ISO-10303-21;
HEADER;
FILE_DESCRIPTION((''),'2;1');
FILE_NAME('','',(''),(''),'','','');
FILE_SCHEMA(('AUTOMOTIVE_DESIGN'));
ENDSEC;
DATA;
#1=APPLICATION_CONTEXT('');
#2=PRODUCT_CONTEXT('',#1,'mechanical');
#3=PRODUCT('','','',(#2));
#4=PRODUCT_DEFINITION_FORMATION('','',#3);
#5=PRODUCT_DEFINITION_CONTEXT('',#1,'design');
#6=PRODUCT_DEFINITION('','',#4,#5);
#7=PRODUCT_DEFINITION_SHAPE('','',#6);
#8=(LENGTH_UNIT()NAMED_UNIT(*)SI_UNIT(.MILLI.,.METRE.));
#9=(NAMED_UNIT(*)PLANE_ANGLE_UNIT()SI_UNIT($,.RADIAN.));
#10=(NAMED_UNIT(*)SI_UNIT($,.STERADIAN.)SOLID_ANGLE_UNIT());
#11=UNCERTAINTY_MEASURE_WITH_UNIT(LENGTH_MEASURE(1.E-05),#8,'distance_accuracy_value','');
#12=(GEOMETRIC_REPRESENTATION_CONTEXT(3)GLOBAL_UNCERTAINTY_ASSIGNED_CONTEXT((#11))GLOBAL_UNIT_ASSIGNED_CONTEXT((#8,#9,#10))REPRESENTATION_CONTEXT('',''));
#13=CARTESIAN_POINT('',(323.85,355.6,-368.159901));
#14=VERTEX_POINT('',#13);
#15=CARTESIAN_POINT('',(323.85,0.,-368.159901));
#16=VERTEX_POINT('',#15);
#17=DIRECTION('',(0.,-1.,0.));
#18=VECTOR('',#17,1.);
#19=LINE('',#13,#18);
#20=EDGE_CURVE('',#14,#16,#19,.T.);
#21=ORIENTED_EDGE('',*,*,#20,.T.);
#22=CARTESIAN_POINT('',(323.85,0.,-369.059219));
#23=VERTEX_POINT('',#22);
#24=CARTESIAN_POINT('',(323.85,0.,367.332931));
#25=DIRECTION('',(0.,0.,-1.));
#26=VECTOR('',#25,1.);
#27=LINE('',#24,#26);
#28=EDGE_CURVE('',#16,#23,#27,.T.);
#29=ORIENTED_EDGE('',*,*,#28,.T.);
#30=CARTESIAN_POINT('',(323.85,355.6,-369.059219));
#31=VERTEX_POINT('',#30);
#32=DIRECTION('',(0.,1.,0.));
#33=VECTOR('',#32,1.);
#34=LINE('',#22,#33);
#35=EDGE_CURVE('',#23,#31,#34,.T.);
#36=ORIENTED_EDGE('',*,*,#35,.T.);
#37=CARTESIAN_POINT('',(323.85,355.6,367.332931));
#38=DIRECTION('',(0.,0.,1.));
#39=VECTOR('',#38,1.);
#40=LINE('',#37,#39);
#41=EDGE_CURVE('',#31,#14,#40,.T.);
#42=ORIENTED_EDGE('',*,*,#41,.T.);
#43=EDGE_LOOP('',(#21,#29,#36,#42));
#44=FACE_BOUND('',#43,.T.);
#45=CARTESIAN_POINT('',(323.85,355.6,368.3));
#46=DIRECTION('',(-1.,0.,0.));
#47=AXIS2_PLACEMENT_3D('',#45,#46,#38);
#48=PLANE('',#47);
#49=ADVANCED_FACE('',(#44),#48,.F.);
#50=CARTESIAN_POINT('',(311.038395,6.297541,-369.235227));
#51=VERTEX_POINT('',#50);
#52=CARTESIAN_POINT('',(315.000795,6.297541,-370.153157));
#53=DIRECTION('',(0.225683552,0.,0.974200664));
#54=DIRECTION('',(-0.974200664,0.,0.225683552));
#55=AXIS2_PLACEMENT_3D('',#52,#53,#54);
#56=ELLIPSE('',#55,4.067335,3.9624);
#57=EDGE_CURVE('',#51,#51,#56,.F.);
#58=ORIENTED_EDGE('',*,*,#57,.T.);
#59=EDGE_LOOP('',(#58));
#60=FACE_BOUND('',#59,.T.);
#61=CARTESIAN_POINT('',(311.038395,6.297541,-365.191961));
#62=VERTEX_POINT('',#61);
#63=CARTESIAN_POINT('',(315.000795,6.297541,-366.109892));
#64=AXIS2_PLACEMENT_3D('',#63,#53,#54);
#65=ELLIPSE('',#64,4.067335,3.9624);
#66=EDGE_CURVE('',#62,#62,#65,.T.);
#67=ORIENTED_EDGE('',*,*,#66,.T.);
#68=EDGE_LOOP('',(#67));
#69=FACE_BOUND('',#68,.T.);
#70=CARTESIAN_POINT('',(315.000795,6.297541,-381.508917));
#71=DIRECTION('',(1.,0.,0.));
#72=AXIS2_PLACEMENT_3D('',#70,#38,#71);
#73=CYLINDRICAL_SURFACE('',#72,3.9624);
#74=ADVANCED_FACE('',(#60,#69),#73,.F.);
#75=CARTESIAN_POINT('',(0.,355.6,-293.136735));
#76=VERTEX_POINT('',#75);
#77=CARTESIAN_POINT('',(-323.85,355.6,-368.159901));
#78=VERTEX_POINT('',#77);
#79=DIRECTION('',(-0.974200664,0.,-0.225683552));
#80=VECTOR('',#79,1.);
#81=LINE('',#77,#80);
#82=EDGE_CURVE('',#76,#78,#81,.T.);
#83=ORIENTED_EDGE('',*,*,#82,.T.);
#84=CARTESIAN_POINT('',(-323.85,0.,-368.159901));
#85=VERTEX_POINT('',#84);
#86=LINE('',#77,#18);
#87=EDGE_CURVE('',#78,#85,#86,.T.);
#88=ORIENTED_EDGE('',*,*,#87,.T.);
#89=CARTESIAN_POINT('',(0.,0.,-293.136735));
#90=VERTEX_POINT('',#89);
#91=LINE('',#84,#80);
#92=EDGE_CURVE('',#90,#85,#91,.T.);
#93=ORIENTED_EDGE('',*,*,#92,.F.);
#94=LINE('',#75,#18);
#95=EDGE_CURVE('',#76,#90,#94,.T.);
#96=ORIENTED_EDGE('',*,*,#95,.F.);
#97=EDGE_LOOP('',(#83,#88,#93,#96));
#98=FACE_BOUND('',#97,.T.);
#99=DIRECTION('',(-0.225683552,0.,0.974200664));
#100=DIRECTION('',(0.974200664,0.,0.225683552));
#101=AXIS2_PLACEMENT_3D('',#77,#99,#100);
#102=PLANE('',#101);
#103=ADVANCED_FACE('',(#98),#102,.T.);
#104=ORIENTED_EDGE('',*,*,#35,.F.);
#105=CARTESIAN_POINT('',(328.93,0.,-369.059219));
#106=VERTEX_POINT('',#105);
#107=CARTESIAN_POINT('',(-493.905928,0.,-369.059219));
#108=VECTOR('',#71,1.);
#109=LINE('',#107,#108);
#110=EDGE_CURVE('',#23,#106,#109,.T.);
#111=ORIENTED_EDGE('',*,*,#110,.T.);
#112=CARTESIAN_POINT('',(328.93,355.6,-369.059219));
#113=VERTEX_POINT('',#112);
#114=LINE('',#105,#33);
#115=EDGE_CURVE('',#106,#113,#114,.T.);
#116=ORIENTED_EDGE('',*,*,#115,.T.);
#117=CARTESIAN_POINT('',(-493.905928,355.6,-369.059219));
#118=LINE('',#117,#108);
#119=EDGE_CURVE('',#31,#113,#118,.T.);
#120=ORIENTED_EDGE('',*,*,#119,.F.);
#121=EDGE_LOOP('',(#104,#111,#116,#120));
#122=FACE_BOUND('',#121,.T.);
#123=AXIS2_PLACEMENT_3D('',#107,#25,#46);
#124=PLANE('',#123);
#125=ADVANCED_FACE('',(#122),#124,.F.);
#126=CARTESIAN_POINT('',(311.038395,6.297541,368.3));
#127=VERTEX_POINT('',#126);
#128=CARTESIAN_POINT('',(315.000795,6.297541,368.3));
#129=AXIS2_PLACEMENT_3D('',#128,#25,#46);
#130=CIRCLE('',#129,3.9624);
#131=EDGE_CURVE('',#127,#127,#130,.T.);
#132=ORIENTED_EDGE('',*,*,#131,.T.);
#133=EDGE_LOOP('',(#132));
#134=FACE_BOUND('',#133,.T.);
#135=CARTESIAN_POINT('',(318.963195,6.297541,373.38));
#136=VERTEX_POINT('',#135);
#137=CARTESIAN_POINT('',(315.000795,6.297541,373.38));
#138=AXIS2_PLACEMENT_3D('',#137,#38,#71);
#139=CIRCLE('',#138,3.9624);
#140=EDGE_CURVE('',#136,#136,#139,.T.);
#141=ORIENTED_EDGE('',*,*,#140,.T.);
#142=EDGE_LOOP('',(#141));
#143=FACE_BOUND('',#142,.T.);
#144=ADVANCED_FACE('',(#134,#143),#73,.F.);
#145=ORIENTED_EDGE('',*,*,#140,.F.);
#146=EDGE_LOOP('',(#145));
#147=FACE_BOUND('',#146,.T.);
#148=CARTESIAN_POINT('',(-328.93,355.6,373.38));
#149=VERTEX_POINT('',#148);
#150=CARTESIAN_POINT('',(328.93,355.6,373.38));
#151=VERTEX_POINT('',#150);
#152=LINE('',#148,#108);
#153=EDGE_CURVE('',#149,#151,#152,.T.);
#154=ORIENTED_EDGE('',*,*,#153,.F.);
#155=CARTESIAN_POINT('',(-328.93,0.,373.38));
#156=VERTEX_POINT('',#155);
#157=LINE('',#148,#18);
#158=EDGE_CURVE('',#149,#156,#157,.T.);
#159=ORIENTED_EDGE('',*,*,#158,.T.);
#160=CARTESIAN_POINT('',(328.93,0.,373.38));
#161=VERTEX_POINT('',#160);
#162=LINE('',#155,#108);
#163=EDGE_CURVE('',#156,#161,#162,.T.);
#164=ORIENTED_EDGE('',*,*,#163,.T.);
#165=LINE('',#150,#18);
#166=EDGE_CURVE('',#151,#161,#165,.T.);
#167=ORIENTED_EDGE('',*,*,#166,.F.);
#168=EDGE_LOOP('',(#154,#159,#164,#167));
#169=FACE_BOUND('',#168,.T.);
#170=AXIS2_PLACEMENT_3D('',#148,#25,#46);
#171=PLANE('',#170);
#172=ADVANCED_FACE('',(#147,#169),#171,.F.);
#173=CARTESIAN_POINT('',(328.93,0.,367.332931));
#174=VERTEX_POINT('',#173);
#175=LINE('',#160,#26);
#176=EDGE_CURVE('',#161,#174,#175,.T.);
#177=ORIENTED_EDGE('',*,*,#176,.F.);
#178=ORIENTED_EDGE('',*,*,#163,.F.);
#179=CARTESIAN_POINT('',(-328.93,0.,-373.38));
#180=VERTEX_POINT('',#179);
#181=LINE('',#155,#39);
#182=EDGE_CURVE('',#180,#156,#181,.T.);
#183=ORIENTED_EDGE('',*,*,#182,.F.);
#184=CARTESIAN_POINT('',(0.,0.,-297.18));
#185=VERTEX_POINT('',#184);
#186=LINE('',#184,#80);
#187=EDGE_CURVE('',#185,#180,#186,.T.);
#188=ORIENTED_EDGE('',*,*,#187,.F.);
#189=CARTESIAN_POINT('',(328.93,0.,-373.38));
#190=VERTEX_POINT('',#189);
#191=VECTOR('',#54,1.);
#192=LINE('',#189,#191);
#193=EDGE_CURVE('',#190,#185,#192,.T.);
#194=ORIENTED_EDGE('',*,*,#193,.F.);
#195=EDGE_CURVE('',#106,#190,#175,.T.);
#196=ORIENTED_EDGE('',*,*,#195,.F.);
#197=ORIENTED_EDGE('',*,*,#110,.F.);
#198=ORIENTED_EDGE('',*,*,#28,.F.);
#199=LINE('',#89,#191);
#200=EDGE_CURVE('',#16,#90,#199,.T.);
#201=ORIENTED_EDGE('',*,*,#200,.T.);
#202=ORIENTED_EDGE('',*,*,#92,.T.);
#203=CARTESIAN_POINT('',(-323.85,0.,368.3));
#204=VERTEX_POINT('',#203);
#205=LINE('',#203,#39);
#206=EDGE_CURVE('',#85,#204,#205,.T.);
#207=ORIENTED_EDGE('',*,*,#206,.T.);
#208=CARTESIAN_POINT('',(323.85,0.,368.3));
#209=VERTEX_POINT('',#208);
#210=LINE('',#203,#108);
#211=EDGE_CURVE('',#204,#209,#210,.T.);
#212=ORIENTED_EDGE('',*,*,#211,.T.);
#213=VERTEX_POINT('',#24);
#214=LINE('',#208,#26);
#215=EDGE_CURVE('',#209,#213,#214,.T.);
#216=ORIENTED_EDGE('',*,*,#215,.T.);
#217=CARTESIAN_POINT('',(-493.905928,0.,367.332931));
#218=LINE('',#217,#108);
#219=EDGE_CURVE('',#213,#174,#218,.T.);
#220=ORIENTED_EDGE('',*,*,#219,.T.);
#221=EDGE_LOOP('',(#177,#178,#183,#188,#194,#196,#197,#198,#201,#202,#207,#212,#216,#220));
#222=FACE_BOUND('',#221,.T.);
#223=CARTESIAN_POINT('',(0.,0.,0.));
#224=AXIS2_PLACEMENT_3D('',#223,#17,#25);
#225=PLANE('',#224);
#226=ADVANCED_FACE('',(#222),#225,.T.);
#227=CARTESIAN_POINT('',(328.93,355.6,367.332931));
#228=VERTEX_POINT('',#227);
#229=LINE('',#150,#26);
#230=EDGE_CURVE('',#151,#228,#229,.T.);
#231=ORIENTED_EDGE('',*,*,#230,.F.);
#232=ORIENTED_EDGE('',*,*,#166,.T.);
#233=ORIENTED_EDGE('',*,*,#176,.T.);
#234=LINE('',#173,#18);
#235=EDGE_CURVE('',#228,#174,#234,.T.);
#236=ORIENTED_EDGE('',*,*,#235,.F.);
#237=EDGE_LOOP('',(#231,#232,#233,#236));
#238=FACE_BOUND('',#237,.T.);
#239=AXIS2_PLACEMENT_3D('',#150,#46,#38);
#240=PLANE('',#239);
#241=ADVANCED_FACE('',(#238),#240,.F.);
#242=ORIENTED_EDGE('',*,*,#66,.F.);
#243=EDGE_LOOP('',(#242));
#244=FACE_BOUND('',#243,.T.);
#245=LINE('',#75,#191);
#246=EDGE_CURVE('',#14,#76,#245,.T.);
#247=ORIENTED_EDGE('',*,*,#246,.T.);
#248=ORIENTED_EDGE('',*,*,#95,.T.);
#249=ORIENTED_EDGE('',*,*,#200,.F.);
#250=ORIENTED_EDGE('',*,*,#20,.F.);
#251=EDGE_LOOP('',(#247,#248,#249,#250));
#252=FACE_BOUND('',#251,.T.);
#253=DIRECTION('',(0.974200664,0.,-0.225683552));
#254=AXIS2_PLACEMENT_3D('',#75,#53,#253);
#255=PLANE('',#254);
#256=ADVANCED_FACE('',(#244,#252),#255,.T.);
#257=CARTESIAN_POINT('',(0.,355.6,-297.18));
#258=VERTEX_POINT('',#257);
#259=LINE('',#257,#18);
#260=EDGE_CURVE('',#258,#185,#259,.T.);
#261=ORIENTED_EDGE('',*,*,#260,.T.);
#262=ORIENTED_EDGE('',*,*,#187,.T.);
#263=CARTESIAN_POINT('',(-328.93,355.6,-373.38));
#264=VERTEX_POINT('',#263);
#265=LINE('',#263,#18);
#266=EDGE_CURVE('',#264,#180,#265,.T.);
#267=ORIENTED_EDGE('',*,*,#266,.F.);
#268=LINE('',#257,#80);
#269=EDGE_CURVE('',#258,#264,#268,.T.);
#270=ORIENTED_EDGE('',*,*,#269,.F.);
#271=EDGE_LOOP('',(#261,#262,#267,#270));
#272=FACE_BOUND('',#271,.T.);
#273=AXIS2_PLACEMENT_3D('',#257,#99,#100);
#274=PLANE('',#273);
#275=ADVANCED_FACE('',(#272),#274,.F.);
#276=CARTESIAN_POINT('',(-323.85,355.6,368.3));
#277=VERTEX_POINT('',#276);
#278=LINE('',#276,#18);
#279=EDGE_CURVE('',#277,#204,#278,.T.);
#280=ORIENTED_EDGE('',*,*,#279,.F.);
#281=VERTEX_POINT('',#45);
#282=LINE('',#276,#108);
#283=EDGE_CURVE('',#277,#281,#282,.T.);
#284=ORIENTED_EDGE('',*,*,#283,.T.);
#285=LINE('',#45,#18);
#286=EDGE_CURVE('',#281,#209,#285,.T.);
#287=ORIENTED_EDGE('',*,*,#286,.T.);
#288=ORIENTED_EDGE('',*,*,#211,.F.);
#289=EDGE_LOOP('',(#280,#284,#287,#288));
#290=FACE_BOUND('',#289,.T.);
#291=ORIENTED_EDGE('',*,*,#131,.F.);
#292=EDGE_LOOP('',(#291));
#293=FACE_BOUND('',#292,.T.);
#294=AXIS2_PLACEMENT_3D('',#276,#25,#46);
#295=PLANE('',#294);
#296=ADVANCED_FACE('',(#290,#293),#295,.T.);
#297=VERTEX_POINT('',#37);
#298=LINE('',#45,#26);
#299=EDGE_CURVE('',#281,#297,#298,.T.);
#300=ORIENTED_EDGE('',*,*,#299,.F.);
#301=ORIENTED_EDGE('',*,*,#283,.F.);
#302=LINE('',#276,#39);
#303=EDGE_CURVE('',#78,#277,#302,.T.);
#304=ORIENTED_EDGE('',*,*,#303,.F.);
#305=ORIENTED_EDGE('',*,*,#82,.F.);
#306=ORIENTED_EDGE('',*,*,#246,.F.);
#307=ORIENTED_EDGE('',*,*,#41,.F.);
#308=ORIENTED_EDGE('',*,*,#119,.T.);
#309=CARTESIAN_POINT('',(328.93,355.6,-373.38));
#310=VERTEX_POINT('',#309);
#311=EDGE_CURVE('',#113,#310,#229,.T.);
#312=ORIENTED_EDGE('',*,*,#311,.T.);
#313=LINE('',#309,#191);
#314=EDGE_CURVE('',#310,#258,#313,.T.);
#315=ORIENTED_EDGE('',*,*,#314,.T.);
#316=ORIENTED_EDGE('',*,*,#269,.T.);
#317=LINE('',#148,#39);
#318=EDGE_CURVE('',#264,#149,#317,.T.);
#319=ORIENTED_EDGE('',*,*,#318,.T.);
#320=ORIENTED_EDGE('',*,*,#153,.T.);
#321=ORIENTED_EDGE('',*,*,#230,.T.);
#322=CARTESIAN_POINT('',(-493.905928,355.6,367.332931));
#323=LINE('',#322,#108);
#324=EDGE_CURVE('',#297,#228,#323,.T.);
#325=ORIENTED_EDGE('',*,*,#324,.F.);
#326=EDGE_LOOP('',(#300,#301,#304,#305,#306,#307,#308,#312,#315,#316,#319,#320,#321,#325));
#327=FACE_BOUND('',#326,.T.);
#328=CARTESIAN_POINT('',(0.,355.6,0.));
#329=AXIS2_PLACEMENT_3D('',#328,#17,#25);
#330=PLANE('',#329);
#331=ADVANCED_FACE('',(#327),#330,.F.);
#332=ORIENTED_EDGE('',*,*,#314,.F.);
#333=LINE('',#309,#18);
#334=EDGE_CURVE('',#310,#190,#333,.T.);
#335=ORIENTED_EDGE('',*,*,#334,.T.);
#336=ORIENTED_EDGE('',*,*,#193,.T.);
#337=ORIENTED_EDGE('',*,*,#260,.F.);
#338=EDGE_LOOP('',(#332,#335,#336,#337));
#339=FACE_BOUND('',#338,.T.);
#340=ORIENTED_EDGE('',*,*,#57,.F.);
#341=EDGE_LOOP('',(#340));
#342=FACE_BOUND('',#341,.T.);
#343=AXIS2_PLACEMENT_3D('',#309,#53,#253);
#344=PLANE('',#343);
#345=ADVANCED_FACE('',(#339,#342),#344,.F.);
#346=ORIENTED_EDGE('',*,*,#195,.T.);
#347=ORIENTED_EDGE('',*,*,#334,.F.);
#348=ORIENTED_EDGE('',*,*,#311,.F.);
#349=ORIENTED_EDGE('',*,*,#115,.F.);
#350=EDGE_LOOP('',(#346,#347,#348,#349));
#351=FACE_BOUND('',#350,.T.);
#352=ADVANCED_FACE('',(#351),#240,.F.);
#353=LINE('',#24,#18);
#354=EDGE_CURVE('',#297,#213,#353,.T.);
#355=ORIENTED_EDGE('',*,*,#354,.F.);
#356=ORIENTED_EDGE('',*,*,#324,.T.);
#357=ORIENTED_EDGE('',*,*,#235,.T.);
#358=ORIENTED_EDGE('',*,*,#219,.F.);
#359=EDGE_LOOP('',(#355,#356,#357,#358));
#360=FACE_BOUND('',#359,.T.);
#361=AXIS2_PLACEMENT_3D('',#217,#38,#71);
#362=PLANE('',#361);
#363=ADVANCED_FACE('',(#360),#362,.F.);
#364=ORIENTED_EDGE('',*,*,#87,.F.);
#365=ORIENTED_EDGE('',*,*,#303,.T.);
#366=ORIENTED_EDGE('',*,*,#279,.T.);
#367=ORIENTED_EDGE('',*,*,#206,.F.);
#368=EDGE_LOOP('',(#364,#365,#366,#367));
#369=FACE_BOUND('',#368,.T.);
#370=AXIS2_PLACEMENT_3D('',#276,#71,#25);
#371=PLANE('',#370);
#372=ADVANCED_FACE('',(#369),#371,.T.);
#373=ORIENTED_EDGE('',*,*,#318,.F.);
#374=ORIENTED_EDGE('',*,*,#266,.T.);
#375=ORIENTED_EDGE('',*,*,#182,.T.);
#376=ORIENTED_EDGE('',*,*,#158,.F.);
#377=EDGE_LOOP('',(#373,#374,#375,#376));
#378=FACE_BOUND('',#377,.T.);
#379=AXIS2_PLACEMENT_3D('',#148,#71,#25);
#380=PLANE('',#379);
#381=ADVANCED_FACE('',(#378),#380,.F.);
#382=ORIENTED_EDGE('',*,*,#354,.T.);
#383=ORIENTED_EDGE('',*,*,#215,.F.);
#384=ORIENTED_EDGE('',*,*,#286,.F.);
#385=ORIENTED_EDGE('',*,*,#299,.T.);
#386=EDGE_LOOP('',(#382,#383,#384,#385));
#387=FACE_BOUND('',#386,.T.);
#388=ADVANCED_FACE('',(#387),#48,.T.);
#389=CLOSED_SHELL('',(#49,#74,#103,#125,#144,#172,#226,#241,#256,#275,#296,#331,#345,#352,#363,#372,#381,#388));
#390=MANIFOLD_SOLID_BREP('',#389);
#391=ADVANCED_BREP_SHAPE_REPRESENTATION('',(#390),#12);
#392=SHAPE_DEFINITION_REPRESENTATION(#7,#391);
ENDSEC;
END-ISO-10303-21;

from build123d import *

# Parameters (mm, degrees)
BOSS_EXTRUDE1_DEPTH = 355.6
SKETCH8_W           = 736.392149349
SKETCH8_H           = 355.6
CUT_EXTRUDE2_DEPTH  = 5.08
CUT_EXTRUDE4_REACH  = 892.111
SKETCH12_R          = 3.9624


with BuildPart() as part:
    # Sketch2 → Boss-Extrude1 (new body)
    with BuildSketch(Plane(origin=(0, 0, 0), x_dir=(1, 0, 0), z_dir=(0, 1, 0))):
        Polygon((-328.93, -373.38), (328.93, -373.38), (328.93, 373.38), (0, 297.18), (-328.93, 373.38), align=None)
        Polygon((-323.85, -368.3), (323.85, -368.3), (323.85, 368.159900717), (0, 293.136734694), (-323.85, 368.159900717), align=None, mode=Mode.SUBTRACT)
    extrude(amount=BOSS_EXTRUDE1_DEPTH)

    # Sketch8 → Cut-Extrude2 (cut)
    with BuildSketch(Plane(origin=(328.93, 0, 0), x_dir=(0, 0, -1), z_dir=(1, 0, 0))):
        with Locations((0.86314386, 177.8)):
            Rectangle(SKETCH8_W, SKETCH8_H)
    extrude(amount=-CUT_EXTRUDE2_DEPTH, mode=Mode.SUBTRACT)

    # Cut-Extrude4: up to this plane
    cut_extrude4_end = Plane(origin=(328.93, 355.6, -373.38), z_dir=(0.22568355160076956, 0, 0.9742006644099884))
    # Sketch12 → Cut-Extrude4 (cut, up to the surface)
    with BuildSketch(Plane.XY.offset(373.38), mode=Mode.PRIVATE) as cut_extrude4_sk1:
        with Locations(Location((315.000794765, 6.297541098, 0), (0, 0, 180))):
            Circle(SKETCH12_R)
    cut_extrude4_tool1 = split(extrude(cut_extrude4_sk1.sketch, amount=-CUT_EXTRUDE4_REACH, mode=Mode.PRIVATE), bisect_by=cut_extrude4_end, keep=Keep.BOTH, mode=Mode.PRIVATE)
    add(cut_extrude4_tool1.solids().sort_by_distance((315.000795, 6.297541, 373.38))[0], mode=Mode.SUBTRACT)


solid = part.part
